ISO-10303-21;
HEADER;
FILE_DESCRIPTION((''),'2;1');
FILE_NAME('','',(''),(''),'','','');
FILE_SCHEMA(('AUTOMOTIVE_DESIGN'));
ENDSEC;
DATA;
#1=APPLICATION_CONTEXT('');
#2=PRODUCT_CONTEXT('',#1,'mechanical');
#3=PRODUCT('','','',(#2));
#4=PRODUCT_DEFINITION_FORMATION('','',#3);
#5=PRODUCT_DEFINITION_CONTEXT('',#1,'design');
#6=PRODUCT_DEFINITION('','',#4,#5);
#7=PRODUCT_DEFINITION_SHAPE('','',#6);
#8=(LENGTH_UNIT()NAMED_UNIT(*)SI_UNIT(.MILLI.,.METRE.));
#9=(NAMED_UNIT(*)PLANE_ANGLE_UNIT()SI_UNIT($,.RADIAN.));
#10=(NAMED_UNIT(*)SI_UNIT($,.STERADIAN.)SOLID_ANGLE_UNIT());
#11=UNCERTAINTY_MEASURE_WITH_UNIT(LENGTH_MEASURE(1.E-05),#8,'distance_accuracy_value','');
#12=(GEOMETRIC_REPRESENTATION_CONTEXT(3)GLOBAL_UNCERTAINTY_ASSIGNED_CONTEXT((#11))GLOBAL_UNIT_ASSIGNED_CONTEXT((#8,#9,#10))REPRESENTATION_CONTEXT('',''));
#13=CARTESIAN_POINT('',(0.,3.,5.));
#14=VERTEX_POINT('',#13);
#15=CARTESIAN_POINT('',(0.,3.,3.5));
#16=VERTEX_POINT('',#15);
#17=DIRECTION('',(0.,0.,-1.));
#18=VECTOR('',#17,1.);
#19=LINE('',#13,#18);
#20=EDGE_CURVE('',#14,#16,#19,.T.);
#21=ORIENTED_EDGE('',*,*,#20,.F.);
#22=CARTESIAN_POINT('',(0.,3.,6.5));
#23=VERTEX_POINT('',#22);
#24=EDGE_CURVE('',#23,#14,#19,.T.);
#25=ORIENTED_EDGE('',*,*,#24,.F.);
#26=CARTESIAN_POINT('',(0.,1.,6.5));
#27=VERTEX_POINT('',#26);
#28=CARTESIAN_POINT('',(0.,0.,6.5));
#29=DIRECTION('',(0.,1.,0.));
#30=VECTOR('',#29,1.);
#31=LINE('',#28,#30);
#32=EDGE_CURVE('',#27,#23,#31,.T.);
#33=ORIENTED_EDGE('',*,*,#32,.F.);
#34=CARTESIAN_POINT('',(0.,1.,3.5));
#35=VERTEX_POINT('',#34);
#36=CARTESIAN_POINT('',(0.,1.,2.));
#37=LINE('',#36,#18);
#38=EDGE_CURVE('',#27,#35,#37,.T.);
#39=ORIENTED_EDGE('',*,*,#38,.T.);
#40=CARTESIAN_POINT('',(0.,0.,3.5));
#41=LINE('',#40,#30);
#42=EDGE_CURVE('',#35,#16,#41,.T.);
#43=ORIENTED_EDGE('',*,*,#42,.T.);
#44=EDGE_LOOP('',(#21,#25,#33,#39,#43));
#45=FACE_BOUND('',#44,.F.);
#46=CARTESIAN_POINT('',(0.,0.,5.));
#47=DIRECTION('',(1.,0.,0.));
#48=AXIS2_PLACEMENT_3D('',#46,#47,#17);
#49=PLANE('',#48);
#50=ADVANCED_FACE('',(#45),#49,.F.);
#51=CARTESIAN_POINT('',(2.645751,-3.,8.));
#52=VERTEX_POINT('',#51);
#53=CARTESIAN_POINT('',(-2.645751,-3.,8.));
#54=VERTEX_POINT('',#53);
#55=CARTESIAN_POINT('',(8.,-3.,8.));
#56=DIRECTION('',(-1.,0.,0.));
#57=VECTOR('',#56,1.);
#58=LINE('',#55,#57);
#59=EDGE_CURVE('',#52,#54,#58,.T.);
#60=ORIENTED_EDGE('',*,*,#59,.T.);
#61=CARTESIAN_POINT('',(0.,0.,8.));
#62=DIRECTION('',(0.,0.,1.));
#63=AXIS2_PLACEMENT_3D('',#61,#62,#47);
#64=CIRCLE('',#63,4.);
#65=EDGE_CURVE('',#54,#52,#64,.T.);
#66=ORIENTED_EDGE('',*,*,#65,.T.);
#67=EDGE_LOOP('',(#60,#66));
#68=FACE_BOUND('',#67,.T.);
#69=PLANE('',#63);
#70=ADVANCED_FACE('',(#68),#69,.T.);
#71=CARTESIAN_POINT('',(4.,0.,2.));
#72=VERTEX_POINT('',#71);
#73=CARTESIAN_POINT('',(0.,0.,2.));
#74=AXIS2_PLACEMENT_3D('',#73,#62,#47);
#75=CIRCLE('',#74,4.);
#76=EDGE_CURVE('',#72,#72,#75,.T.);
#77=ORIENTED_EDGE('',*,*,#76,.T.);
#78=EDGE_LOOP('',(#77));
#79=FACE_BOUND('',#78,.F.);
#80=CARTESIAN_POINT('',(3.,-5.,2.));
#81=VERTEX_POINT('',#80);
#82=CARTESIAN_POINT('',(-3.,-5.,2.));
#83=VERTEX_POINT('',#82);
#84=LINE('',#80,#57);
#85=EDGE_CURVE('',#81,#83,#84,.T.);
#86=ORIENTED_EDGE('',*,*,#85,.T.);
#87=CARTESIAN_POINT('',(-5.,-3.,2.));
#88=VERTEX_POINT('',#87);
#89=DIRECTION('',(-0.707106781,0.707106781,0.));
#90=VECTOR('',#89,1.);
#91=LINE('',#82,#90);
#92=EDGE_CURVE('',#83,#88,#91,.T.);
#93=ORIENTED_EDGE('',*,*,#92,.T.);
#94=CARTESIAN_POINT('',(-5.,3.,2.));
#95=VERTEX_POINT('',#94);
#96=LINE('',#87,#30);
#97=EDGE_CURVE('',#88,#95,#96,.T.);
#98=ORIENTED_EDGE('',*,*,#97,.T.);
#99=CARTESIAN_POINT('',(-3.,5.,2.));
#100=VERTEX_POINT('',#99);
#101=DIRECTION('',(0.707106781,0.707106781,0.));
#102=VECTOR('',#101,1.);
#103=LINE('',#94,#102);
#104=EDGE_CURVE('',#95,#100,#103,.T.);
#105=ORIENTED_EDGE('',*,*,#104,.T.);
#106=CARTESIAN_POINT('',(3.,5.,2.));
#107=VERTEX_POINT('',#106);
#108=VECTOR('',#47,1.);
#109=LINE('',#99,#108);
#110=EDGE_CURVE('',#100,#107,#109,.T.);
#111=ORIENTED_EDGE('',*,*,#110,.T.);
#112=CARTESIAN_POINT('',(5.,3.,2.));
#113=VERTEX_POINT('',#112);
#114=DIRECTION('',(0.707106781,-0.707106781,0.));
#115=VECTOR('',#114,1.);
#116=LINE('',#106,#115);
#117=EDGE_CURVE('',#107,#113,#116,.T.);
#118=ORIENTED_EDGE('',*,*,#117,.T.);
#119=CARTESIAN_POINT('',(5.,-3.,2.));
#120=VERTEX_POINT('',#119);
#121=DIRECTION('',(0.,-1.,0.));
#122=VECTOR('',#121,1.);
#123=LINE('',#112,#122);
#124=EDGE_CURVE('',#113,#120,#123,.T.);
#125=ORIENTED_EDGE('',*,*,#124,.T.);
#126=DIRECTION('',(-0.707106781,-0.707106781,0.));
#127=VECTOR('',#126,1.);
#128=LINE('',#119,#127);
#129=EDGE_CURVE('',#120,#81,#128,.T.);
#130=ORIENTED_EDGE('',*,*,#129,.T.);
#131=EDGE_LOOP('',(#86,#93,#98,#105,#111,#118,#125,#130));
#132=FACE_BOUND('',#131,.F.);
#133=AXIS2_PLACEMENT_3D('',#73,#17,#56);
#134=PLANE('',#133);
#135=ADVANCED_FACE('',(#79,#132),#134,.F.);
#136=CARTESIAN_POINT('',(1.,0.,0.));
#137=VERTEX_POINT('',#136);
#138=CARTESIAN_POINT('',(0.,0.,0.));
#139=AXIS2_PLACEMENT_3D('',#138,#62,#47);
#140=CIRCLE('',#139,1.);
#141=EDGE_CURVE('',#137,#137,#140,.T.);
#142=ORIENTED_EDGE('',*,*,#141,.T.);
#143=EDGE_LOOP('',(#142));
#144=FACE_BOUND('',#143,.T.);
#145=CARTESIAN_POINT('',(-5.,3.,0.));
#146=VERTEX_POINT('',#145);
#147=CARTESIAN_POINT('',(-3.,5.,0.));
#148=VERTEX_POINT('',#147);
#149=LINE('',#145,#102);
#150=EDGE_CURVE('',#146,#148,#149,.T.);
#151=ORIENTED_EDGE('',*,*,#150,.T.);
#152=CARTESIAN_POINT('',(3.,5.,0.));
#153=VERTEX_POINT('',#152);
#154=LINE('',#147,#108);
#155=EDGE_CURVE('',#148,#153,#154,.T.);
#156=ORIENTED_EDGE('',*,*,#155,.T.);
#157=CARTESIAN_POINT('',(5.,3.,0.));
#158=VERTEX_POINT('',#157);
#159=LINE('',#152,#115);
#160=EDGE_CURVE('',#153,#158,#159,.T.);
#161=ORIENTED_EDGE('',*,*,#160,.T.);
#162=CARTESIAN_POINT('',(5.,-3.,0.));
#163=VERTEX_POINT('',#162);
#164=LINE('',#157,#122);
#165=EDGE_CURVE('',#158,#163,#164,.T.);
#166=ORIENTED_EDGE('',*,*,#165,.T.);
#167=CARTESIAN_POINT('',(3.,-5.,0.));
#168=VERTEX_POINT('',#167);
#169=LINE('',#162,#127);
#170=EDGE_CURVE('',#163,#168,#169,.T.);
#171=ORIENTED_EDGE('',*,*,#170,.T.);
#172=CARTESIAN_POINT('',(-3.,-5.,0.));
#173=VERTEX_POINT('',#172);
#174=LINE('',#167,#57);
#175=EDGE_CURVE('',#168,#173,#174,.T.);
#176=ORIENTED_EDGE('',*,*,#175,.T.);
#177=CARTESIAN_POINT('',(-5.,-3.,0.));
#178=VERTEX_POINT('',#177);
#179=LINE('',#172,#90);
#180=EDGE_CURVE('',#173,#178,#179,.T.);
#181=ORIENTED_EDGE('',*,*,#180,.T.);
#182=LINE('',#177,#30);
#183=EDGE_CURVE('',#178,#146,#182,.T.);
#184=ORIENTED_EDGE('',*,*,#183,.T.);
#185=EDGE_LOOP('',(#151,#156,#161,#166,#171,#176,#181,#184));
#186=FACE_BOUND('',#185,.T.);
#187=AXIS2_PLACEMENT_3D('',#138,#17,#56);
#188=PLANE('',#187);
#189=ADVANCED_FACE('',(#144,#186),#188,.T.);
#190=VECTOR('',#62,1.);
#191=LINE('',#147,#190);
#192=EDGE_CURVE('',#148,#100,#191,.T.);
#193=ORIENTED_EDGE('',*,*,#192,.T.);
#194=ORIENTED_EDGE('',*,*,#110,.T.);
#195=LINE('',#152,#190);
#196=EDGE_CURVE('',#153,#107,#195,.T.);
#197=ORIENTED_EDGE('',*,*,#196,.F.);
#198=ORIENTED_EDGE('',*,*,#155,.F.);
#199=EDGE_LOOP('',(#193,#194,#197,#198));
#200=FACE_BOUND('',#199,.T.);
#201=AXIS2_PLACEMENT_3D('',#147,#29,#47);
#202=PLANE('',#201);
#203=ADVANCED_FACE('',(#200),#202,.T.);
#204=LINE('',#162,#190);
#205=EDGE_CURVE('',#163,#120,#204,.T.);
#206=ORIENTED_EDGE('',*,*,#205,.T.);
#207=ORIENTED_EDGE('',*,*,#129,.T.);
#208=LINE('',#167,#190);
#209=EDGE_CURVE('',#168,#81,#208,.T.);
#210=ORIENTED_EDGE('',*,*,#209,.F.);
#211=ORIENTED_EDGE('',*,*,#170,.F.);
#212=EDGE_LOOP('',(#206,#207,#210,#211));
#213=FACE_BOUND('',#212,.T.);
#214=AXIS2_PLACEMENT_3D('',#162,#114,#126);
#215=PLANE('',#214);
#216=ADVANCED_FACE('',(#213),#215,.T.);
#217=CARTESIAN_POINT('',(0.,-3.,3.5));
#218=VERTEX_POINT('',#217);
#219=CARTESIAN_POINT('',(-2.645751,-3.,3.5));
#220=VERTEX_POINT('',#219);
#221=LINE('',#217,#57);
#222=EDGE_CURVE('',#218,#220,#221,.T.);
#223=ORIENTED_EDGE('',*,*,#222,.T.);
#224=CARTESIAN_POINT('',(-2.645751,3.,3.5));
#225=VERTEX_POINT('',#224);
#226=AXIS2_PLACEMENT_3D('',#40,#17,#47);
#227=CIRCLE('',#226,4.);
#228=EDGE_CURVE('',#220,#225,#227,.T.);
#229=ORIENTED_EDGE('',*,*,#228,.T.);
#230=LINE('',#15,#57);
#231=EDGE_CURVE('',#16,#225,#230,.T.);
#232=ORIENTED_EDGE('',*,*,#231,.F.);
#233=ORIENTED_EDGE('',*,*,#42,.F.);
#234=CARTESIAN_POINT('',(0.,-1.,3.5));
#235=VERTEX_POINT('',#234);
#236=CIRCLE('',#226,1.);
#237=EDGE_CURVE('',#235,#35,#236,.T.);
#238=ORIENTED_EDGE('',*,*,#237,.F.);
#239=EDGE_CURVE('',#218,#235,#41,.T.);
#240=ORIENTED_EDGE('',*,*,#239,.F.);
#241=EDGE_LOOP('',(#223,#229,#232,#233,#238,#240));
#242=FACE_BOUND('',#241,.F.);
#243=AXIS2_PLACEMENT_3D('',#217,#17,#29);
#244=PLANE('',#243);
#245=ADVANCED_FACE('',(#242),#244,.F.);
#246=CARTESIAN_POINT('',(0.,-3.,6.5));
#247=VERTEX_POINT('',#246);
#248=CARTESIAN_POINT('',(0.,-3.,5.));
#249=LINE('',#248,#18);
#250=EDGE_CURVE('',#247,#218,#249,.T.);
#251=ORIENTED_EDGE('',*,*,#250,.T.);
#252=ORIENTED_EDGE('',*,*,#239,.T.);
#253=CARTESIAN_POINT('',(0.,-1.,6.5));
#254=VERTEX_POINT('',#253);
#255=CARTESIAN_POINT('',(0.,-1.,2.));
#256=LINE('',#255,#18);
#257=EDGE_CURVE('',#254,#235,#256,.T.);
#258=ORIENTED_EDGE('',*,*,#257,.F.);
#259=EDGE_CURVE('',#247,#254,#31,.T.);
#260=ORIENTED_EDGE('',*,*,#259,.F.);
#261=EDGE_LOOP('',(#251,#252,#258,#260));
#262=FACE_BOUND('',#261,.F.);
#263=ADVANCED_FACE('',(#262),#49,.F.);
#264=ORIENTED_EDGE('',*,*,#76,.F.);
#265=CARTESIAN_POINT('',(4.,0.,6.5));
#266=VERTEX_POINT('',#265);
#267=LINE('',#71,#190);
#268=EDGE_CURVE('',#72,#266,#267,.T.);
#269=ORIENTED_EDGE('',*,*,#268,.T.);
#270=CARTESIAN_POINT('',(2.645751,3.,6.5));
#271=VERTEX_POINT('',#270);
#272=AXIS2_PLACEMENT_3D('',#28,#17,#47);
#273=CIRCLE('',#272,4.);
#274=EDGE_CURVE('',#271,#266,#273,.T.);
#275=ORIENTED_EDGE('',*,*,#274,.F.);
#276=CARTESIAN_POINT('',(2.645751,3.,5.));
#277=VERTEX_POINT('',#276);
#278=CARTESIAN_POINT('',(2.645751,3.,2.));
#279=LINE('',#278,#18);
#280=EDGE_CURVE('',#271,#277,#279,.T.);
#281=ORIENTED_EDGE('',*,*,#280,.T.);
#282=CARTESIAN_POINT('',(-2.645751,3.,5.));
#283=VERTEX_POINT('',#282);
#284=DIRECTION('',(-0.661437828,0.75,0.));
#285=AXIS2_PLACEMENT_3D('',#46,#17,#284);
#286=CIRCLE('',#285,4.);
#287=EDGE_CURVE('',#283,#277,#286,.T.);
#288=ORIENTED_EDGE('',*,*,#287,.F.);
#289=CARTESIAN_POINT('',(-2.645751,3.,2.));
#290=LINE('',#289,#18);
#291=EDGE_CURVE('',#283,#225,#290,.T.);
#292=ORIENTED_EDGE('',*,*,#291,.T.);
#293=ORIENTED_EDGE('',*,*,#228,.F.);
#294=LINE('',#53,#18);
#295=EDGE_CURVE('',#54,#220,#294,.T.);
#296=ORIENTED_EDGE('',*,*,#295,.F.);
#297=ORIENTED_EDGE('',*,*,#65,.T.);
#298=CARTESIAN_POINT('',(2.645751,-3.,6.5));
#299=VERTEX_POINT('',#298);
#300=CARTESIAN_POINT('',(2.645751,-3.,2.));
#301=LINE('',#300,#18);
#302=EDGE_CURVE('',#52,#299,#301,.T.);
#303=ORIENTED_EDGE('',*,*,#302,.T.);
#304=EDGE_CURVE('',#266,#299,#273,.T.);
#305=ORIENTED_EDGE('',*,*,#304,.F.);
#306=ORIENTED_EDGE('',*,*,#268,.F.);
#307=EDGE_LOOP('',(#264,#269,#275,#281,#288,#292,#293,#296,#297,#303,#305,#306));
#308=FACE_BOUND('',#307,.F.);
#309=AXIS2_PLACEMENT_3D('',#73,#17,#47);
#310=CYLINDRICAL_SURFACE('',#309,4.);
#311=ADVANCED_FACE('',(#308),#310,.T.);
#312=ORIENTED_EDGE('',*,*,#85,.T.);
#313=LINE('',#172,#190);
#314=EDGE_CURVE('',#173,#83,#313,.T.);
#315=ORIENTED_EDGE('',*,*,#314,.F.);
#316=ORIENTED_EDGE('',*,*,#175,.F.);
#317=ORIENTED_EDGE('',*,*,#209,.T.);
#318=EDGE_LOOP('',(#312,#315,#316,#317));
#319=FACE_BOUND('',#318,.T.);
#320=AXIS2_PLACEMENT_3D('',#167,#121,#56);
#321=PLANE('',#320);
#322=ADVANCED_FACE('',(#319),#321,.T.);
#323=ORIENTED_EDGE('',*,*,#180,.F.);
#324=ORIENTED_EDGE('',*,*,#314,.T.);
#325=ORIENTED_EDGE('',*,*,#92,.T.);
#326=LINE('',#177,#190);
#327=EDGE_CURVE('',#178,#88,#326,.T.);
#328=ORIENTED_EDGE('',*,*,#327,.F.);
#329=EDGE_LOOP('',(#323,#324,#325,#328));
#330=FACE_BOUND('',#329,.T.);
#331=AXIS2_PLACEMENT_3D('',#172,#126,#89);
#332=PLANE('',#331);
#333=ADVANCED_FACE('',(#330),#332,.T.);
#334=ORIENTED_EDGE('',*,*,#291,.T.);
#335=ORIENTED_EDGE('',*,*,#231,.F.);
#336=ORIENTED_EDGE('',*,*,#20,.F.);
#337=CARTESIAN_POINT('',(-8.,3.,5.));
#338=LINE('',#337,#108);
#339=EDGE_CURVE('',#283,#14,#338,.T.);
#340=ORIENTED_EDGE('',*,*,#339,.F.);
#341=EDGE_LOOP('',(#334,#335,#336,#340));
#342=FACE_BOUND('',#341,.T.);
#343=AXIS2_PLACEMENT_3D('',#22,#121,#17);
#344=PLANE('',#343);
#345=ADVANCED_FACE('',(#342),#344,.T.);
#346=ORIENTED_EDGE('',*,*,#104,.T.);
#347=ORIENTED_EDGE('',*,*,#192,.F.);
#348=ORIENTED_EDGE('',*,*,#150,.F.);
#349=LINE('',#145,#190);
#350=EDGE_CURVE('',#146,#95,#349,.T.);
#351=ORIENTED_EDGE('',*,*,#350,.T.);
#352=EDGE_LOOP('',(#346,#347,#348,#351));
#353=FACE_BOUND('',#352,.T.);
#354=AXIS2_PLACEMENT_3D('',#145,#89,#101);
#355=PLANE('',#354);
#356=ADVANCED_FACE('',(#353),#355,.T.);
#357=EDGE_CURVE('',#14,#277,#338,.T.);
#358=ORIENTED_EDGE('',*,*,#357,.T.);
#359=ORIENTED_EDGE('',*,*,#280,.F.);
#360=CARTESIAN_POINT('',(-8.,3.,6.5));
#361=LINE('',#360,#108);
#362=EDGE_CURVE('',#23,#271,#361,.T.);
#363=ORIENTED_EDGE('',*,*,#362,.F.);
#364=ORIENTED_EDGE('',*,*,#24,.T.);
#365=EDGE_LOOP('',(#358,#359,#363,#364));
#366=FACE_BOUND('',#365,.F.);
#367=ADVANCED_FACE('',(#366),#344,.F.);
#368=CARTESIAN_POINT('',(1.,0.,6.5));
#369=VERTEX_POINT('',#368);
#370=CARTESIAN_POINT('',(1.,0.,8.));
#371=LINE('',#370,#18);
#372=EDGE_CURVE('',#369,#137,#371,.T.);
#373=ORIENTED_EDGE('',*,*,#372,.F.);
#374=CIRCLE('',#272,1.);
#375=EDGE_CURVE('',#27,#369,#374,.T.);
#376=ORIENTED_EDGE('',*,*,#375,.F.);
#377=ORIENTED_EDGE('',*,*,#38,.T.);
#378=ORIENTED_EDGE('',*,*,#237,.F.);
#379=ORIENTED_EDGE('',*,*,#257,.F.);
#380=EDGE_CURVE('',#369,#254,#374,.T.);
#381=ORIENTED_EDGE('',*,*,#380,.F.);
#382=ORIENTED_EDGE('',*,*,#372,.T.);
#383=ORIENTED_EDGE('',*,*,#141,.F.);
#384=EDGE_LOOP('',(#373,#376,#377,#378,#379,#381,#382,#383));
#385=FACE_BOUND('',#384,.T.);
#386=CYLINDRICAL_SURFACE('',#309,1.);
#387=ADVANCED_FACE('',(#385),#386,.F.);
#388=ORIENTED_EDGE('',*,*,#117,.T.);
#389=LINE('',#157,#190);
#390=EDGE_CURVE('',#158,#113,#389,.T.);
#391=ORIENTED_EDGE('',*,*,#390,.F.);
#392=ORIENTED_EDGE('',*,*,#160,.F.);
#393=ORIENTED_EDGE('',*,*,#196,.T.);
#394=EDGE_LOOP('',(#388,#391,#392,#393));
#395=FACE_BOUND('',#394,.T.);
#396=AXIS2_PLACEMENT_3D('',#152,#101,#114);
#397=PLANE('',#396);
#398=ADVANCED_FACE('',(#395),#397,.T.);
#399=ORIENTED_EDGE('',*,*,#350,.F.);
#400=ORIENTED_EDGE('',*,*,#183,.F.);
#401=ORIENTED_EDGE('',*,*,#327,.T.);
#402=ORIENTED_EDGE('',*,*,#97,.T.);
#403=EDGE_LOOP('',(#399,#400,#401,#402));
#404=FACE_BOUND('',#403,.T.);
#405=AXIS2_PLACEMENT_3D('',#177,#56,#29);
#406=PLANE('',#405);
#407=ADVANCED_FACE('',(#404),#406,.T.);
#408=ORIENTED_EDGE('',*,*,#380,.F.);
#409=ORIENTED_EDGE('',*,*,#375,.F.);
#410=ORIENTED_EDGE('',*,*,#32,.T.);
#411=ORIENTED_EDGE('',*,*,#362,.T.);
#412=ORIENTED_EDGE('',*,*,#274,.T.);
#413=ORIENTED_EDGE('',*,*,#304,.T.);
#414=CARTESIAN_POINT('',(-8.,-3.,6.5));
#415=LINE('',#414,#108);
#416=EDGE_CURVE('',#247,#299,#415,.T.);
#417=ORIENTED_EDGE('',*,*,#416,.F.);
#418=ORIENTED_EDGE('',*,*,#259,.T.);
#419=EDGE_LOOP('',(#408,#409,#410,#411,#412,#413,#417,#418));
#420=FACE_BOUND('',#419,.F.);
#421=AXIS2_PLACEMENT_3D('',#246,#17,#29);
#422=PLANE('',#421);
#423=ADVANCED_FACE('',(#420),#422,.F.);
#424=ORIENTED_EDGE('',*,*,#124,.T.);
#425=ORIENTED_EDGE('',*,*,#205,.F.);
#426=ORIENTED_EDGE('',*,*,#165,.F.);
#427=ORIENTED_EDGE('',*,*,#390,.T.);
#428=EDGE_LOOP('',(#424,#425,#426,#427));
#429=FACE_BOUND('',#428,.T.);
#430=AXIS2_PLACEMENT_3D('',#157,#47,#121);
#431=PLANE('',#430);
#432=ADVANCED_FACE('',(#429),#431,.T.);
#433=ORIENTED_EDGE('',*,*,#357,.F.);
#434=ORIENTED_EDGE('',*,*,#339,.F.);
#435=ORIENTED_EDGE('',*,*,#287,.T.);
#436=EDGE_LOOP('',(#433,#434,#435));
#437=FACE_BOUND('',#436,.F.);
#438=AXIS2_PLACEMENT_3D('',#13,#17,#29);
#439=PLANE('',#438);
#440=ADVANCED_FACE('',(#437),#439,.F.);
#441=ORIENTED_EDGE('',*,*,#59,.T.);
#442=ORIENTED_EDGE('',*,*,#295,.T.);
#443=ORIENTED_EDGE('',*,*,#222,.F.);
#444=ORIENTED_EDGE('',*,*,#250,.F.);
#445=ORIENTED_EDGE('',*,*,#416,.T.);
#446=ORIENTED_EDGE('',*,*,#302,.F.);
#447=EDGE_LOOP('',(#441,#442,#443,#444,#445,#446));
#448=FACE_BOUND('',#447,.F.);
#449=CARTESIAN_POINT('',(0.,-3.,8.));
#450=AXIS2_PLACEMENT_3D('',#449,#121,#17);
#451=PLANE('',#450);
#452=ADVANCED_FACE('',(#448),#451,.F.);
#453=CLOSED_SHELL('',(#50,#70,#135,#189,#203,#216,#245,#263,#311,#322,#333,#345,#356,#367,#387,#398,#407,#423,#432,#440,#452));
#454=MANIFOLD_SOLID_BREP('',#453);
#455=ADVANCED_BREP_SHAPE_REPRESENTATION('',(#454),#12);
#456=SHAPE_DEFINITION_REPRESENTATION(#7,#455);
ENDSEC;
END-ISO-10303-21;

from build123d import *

# Parameters (mm, degrees)
SKETCH1_R           = 1
BOSS_EXTRUDE1_DEPTH = 2
SKETCH2_R           = 4
SKETCH2_R_2         = 1
BOSS_EXTRUDE2_DEPTH = 6
CUT_EXTRUDE2_DEPTH  = 8
SKETCH5_W           = 3
SKETCH5_H           = 6
CUT_EXTRUDE3_DEPTH  = 16


with BuildPart() as part:
    # Sketch1 → Boss-Extrude1 (new body)
    with BuildSketch(Plane.XY):
        Polygon((-5, 3), (-3, 5), (3, 5), (5, 3), (5, -3), (3, -5), (-3, -5), (-5, -3), align=None)
        Circle(SKETCH1_R, mode=Mode.SUBTRACT)
    extrude(amount=BOSS_EXTRUDE1_DEPTH)

    # Sketch2 → Boss-Extrude2 (add)
    with BuildSketch(Plane.XY.offset(2)):
        Circle(SKETCH2_R)
        Circle(SKETCH2_R_2, mode=Mode.SUBTRACT)
    extrude(amount=BOSS_EXTRUDE2_DEPTH)

    # Sketch4 → Cut-Extrude2 (cut, symmetric)
    with BuildSketch(Plane(origin=(0, 0, 0), x_dir=(0, 0, -1), z_dir=(1, 0, 0))):
        Polygon((-8, -3), (-6.5, -3), (-6.5, 3), (-5, 3), (-5, 4), (-8, 4), align=None)
    extrude(amount=CUT_EXTRUDE2_DEPTH, both=True, mode=Mode.SUBTRACT)

    # Sketch5 → Cut-Extrude3 (cut)
    with BuildSketch(Plane(origin=(0, 0, 0), x_dir=(0, 0, -1), z_dir=(1, 0, 0))):
        with Locations((-5, 0)):
            Rectangle(SKETCH5_W, SKETCH5_H)
    extrude(amount=-CUT_EXTRUDE3_DEPTH, mode=Mode.SUBTRACT)


solid = part.part
